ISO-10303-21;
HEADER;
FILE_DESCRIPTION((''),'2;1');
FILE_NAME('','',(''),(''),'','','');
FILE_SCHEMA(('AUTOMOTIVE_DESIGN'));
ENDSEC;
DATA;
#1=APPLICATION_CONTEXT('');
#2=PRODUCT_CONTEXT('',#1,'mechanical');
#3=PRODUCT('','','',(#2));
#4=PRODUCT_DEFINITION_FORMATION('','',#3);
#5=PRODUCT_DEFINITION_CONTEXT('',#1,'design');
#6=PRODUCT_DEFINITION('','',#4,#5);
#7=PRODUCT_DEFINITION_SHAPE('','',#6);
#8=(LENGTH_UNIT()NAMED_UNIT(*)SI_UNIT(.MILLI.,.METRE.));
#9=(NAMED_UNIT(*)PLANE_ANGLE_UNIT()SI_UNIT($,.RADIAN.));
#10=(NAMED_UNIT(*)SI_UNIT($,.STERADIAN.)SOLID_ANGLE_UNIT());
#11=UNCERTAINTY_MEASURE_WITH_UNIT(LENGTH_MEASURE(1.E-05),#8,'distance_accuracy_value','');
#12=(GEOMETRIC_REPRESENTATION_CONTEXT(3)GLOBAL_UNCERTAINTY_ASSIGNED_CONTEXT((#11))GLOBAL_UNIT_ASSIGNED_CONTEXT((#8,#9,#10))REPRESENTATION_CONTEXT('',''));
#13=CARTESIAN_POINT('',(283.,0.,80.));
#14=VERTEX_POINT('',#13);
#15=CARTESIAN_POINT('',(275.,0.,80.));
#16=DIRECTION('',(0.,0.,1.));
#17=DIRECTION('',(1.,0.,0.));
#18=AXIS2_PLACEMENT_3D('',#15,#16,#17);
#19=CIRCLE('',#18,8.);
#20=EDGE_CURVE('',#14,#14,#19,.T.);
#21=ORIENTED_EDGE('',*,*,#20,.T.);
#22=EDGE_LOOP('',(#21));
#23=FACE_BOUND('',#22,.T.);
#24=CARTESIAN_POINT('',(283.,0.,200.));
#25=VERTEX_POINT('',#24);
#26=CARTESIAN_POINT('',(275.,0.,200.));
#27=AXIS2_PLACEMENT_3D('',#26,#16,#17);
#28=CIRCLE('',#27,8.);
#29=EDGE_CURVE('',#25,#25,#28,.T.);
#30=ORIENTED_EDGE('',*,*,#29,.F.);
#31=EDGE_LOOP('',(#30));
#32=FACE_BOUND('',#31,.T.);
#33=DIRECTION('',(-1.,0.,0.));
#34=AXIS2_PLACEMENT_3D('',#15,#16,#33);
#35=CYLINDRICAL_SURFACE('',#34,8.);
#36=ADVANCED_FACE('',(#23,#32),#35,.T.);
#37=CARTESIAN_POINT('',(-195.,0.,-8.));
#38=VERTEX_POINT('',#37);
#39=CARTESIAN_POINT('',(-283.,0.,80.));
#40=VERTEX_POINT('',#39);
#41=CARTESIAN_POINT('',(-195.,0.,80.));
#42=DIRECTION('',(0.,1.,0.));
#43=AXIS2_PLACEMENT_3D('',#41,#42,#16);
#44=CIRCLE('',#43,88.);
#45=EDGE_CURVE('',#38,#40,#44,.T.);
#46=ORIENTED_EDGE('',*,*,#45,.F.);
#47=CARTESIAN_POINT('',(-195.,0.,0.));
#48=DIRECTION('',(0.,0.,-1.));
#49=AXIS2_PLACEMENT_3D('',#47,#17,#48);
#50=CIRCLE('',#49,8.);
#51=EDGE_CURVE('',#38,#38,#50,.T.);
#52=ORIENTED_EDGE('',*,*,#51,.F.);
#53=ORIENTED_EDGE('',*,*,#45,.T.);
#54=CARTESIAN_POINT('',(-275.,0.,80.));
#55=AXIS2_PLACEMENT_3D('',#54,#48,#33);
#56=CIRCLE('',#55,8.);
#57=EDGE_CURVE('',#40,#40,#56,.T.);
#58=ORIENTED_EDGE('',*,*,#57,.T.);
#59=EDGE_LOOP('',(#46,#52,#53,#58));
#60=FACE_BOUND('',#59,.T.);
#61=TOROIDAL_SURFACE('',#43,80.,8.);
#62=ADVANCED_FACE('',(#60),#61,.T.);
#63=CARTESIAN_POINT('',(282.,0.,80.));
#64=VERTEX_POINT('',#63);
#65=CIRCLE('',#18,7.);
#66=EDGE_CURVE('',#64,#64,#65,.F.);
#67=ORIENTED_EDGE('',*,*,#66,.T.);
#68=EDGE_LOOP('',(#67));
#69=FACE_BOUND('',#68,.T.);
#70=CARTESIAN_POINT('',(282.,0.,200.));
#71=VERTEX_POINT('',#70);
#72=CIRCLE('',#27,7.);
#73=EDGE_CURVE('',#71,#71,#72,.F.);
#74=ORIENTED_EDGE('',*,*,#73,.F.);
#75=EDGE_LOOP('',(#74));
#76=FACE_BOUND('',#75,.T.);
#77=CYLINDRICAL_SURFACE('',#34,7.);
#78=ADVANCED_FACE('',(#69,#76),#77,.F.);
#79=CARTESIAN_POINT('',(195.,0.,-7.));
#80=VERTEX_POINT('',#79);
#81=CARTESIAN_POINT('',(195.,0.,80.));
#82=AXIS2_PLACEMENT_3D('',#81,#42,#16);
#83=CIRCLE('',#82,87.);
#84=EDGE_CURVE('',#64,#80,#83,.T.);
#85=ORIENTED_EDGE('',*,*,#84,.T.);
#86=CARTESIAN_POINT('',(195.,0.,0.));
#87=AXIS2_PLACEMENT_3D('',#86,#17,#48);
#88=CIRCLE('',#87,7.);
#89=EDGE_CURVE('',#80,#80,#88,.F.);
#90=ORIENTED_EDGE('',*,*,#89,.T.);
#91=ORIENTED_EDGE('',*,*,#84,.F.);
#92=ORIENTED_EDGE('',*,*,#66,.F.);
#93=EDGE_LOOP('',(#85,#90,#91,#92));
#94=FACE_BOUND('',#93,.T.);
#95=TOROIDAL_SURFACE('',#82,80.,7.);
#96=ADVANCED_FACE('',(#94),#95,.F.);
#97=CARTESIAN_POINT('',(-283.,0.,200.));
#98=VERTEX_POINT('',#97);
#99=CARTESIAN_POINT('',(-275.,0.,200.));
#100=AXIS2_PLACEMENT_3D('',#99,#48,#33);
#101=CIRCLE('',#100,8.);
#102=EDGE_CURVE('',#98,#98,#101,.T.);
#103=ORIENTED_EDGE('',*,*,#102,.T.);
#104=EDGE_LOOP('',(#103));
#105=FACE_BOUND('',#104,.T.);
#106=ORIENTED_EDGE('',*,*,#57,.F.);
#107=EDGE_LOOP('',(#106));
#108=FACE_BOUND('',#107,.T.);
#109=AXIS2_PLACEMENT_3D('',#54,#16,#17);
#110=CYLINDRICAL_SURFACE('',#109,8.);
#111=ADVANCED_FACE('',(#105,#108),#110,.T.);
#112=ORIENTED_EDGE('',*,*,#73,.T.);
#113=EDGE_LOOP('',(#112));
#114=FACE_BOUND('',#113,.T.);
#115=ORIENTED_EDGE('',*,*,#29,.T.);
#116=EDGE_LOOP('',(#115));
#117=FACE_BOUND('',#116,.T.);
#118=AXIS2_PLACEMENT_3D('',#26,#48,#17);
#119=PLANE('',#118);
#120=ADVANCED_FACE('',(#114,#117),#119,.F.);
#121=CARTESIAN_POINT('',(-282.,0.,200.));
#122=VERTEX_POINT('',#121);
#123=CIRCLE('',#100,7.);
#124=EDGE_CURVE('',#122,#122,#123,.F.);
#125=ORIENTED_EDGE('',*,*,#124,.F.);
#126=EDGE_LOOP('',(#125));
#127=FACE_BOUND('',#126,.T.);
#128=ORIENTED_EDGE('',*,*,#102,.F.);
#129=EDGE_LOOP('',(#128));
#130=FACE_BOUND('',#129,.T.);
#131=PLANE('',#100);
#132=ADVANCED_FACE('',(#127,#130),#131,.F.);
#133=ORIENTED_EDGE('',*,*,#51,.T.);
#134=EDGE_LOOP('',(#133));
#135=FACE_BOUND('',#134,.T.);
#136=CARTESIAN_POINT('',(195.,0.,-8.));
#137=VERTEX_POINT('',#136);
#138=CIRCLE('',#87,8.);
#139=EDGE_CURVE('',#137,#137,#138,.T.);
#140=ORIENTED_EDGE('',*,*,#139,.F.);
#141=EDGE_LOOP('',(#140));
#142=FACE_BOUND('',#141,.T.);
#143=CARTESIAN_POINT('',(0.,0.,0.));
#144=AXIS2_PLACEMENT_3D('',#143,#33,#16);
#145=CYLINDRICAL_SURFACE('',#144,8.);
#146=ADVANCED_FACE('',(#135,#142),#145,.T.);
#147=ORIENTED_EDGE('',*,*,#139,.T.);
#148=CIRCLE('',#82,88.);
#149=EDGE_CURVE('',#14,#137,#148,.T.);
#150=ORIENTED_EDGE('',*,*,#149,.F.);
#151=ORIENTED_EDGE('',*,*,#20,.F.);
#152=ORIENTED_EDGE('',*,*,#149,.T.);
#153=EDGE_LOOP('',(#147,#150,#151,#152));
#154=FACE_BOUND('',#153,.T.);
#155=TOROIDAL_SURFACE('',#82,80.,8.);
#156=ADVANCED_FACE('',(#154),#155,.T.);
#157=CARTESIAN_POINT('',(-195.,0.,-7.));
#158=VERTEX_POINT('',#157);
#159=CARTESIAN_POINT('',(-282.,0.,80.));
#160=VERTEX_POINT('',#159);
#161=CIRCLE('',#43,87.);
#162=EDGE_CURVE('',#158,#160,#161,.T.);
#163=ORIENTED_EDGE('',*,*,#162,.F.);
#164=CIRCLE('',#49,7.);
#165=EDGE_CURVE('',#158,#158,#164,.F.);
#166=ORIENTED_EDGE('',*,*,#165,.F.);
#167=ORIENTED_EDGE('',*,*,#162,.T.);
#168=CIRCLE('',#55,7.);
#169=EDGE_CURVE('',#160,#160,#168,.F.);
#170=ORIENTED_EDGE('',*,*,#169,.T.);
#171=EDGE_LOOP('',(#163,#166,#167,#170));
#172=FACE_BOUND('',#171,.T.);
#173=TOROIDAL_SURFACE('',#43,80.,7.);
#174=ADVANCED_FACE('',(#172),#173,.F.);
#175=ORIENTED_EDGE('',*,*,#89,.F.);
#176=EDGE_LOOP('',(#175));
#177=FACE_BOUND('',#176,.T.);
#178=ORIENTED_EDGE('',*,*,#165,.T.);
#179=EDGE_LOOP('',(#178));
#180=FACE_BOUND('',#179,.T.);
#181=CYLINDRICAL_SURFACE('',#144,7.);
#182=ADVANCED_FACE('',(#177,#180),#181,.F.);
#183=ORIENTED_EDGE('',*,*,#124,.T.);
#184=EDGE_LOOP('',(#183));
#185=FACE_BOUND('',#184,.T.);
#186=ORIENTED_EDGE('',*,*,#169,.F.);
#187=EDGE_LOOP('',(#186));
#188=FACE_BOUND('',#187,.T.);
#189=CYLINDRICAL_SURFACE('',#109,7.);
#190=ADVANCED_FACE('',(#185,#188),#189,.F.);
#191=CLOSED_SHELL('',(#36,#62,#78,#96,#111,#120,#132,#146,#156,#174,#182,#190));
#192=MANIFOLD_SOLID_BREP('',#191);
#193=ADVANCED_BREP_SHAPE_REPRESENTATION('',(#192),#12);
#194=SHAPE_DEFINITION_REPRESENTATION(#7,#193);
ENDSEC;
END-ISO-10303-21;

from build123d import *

# Parameters (mm, degrees)
SKETCH_2_R   = 8
SKETCH_2_R_2 = 7


with BuildPart() as part:
    # По траектории1: sweep along a path in Эскиз1
    with BuildLine(Plane(origin=(0, 0, 0), x_dir=(1, 0, 0), z_dir=(0, 1, 0))) as sweep_1_path:
        Line((-275, -200), (-275, -80))
        ThreePointArc((-275, -80), (-251.568542495, -23.431457505), (-195, 0))
        Line((-195, 0), (0, 0))
    # Эскиз2 → По траектории1 (sweep)
    with BuildSketch(Plane(origin=(0, 0, 0), x_dir=(0, 0, -1), z_dir=(1, 0, 0))):
        Circle(SKETCH_2_R)
        Circle(SKETCH_2_R_2, mode=Mode.SUBTRACT)
    sweep(path=sweep_1_path.line)

    # Зеркальное отражение1: part across plane


with BuildPart() as part_1:
    add(part.part)
    add(part.part.mirror(Plane(origin=(0, 0, 0), x_dir=(0, 0, 1), z_dir=(1, 0, 0))))


solid = part_1.part
